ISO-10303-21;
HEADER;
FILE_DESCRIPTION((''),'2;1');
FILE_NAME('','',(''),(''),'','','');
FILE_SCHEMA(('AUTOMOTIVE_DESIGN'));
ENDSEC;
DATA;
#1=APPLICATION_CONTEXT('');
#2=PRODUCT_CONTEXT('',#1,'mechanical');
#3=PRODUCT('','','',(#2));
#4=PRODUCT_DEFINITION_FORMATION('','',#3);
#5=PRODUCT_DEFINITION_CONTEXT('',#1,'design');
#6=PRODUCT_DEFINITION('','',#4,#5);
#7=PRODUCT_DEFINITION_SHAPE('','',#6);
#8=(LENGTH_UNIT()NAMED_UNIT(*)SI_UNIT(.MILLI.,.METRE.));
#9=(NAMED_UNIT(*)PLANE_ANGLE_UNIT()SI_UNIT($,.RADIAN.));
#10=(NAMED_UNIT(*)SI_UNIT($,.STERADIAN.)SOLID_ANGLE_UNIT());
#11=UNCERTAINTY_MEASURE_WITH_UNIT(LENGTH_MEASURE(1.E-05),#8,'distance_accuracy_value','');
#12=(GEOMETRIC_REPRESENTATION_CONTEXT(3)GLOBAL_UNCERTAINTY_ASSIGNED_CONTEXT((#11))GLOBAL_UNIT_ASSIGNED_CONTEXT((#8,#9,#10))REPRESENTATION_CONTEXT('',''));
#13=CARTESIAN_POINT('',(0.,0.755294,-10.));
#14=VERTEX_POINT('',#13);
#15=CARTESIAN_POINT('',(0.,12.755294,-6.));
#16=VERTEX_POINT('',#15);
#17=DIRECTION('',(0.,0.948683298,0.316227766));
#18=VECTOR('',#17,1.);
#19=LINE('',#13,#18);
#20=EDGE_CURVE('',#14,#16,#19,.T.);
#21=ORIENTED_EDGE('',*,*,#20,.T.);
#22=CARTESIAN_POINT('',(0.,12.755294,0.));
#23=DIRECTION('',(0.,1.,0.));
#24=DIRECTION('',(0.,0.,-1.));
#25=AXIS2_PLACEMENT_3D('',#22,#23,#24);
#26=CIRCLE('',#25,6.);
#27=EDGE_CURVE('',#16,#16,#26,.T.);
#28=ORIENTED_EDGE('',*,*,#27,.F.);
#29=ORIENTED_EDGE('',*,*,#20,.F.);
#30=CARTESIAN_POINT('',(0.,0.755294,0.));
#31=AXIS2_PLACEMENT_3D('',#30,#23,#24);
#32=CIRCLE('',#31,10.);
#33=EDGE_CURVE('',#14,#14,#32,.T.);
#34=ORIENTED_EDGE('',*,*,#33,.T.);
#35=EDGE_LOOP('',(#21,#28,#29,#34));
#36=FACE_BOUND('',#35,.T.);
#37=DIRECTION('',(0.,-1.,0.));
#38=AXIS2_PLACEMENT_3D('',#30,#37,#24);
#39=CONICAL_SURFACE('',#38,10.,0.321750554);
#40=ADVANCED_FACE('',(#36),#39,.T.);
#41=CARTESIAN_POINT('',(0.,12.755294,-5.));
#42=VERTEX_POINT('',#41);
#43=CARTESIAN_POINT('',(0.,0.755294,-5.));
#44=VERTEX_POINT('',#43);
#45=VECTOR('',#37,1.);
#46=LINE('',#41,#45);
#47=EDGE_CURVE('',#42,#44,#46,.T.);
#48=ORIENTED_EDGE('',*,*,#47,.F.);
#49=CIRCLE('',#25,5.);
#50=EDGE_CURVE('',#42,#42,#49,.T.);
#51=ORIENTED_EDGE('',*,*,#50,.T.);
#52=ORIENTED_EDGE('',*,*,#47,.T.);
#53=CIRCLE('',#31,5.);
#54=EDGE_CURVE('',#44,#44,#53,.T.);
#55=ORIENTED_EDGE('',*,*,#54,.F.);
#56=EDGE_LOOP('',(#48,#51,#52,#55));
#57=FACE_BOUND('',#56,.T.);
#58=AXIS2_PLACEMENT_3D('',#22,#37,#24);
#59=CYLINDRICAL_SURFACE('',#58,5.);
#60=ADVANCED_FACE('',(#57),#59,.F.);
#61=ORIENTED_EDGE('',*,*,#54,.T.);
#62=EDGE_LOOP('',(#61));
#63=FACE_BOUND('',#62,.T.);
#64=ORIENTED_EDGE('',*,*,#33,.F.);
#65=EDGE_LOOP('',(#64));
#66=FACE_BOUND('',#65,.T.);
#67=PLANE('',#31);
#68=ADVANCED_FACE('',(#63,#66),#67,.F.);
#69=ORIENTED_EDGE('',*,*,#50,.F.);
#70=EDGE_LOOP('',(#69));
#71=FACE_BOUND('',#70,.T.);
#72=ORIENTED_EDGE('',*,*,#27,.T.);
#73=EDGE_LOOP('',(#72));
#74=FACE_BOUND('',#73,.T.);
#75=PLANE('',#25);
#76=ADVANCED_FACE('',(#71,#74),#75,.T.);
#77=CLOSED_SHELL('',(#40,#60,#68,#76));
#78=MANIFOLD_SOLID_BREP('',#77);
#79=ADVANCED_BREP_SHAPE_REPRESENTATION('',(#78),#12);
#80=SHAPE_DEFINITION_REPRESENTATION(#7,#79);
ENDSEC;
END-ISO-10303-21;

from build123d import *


with BuildPart() as part:
    # Szkic1 → Obrót1 (revolve)
    with BuildSketch(Plane.XY, mode=Mode.PRIVATE) as obr_t1_sk:
        Polygon((5, 0.755294412), (10, 0.755294412), (6, 12.755294412), (5, 12.755294412), align=None)
    revolve(obr_t1_sk.sketch.rotate(Axis((0, 0, 0), (0, 1, 0)), 90), axis=Axis((0, 0, 0), (0, 1, 0)))


solid = part.part
